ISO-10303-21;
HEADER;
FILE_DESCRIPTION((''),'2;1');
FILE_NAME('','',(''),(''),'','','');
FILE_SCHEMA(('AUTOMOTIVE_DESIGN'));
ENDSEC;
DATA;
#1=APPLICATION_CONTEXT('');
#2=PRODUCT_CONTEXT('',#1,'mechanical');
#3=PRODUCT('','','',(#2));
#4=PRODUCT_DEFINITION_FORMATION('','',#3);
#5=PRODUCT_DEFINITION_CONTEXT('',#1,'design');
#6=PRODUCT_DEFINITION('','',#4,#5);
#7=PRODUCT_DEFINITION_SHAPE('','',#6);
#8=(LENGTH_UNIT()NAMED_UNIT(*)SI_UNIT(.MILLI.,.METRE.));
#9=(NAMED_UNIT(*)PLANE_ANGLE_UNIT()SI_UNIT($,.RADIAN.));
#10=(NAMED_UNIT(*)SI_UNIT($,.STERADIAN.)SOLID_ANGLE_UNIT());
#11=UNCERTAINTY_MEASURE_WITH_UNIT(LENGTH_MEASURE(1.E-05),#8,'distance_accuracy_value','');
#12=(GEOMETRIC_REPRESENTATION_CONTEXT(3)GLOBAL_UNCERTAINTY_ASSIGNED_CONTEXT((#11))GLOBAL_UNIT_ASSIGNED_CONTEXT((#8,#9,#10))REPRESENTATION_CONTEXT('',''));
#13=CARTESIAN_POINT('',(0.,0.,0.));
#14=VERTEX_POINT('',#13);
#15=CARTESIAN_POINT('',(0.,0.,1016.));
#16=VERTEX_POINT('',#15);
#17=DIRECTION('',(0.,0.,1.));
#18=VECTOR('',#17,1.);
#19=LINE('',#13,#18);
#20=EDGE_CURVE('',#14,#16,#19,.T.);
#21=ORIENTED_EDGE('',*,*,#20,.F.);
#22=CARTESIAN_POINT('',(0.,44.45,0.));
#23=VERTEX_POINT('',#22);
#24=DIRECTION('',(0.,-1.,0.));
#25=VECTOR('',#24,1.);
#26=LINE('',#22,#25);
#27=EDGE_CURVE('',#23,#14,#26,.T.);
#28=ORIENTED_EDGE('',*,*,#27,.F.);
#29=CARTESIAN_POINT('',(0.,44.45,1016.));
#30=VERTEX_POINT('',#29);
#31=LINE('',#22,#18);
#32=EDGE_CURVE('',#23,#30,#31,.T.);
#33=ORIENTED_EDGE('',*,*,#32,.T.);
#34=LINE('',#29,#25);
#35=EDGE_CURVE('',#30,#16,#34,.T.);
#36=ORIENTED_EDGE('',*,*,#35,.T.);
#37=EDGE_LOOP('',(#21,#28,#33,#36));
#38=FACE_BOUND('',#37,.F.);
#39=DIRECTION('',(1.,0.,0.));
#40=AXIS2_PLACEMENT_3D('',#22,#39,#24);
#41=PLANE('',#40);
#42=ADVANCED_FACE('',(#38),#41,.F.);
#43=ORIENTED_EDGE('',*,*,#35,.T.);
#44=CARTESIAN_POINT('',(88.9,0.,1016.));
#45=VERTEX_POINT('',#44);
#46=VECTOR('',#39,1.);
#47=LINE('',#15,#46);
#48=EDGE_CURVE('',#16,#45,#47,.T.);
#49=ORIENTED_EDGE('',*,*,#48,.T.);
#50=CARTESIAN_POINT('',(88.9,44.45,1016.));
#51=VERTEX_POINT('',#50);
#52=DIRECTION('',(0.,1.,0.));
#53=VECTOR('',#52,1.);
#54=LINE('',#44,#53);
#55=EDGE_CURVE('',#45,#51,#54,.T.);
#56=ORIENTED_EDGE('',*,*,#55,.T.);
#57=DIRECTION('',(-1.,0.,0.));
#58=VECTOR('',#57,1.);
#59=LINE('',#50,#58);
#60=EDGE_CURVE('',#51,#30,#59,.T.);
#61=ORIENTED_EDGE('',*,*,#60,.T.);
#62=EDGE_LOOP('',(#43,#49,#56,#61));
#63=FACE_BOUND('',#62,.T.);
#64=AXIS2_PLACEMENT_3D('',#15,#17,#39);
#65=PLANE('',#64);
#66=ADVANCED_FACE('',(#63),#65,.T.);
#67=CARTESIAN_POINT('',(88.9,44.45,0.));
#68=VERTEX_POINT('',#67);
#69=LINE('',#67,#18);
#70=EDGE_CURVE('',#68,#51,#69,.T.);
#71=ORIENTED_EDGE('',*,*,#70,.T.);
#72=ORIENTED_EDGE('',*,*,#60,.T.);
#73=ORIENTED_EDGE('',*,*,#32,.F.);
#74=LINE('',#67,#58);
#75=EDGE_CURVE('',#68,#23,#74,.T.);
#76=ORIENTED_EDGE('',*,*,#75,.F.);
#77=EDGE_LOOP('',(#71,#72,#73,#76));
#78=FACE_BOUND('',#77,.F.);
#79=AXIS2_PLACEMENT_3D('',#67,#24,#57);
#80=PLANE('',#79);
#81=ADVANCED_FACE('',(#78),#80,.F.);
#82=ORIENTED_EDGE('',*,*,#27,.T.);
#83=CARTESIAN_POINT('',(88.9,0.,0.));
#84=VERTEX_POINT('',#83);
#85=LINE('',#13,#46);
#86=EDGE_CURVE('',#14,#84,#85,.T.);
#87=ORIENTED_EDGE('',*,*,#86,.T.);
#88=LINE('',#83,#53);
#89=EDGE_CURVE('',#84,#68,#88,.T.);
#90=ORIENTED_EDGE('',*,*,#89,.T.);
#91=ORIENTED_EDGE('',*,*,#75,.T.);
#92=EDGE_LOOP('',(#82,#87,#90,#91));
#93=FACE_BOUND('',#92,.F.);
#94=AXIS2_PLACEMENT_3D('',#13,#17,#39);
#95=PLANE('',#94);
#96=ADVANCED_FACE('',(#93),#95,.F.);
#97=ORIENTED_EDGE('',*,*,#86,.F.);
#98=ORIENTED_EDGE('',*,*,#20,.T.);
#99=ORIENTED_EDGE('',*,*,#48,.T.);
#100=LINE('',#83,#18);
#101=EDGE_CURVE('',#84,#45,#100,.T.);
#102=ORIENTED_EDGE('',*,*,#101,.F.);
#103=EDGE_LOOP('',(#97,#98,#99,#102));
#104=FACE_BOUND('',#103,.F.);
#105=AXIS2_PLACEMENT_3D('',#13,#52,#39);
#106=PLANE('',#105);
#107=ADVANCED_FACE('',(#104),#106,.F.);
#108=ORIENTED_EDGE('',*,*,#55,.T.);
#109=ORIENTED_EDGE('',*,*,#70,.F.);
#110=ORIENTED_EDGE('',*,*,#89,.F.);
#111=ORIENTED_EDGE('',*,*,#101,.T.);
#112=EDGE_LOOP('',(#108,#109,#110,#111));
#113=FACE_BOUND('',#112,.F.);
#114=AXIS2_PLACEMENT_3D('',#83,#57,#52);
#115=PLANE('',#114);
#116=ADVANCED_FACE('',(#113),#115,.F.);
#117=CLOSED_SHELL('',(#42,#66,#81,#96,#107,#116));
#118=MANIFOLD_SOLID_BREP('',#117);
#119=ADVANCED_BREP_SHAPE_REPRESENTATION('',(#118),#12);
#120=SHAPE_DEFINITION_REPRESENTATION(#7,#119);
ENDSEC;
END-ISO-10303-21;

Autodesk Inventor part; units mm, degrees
ref_plane "YZ Plane" through (0, 0, 0) normal (1, 0, 0) x (0, 1, 0)
ref_plane "XZ Plane" through (0, 0, 0) normal (0, 1, 0) x (-1, 0, 0)
ref_plane "XY Plane" through (0, 0, 0) normal (0, 0, 1) x (1, 0, 0)
sketch "Sketch1" plane through (0, 0, 0) normal (0, 0, 1) x (1, 0, 0)
  line L0 (0, 0) -> (88.9, 0)
  line L1 (88.9, 0) -> (88.9, 44.45)
  line L2 (88.9, 44.45) -> (0, 44.45)
  line L3 (0, 44.45) -> (0, 0)
  dimension "d0" = 88.9
  dimension "d1" = 44.45
extrude "Extrusion1" add sketch "Sketch1" along normal blind 1016
properties part number "1p2poscr" material "Wood (Cherry)"
